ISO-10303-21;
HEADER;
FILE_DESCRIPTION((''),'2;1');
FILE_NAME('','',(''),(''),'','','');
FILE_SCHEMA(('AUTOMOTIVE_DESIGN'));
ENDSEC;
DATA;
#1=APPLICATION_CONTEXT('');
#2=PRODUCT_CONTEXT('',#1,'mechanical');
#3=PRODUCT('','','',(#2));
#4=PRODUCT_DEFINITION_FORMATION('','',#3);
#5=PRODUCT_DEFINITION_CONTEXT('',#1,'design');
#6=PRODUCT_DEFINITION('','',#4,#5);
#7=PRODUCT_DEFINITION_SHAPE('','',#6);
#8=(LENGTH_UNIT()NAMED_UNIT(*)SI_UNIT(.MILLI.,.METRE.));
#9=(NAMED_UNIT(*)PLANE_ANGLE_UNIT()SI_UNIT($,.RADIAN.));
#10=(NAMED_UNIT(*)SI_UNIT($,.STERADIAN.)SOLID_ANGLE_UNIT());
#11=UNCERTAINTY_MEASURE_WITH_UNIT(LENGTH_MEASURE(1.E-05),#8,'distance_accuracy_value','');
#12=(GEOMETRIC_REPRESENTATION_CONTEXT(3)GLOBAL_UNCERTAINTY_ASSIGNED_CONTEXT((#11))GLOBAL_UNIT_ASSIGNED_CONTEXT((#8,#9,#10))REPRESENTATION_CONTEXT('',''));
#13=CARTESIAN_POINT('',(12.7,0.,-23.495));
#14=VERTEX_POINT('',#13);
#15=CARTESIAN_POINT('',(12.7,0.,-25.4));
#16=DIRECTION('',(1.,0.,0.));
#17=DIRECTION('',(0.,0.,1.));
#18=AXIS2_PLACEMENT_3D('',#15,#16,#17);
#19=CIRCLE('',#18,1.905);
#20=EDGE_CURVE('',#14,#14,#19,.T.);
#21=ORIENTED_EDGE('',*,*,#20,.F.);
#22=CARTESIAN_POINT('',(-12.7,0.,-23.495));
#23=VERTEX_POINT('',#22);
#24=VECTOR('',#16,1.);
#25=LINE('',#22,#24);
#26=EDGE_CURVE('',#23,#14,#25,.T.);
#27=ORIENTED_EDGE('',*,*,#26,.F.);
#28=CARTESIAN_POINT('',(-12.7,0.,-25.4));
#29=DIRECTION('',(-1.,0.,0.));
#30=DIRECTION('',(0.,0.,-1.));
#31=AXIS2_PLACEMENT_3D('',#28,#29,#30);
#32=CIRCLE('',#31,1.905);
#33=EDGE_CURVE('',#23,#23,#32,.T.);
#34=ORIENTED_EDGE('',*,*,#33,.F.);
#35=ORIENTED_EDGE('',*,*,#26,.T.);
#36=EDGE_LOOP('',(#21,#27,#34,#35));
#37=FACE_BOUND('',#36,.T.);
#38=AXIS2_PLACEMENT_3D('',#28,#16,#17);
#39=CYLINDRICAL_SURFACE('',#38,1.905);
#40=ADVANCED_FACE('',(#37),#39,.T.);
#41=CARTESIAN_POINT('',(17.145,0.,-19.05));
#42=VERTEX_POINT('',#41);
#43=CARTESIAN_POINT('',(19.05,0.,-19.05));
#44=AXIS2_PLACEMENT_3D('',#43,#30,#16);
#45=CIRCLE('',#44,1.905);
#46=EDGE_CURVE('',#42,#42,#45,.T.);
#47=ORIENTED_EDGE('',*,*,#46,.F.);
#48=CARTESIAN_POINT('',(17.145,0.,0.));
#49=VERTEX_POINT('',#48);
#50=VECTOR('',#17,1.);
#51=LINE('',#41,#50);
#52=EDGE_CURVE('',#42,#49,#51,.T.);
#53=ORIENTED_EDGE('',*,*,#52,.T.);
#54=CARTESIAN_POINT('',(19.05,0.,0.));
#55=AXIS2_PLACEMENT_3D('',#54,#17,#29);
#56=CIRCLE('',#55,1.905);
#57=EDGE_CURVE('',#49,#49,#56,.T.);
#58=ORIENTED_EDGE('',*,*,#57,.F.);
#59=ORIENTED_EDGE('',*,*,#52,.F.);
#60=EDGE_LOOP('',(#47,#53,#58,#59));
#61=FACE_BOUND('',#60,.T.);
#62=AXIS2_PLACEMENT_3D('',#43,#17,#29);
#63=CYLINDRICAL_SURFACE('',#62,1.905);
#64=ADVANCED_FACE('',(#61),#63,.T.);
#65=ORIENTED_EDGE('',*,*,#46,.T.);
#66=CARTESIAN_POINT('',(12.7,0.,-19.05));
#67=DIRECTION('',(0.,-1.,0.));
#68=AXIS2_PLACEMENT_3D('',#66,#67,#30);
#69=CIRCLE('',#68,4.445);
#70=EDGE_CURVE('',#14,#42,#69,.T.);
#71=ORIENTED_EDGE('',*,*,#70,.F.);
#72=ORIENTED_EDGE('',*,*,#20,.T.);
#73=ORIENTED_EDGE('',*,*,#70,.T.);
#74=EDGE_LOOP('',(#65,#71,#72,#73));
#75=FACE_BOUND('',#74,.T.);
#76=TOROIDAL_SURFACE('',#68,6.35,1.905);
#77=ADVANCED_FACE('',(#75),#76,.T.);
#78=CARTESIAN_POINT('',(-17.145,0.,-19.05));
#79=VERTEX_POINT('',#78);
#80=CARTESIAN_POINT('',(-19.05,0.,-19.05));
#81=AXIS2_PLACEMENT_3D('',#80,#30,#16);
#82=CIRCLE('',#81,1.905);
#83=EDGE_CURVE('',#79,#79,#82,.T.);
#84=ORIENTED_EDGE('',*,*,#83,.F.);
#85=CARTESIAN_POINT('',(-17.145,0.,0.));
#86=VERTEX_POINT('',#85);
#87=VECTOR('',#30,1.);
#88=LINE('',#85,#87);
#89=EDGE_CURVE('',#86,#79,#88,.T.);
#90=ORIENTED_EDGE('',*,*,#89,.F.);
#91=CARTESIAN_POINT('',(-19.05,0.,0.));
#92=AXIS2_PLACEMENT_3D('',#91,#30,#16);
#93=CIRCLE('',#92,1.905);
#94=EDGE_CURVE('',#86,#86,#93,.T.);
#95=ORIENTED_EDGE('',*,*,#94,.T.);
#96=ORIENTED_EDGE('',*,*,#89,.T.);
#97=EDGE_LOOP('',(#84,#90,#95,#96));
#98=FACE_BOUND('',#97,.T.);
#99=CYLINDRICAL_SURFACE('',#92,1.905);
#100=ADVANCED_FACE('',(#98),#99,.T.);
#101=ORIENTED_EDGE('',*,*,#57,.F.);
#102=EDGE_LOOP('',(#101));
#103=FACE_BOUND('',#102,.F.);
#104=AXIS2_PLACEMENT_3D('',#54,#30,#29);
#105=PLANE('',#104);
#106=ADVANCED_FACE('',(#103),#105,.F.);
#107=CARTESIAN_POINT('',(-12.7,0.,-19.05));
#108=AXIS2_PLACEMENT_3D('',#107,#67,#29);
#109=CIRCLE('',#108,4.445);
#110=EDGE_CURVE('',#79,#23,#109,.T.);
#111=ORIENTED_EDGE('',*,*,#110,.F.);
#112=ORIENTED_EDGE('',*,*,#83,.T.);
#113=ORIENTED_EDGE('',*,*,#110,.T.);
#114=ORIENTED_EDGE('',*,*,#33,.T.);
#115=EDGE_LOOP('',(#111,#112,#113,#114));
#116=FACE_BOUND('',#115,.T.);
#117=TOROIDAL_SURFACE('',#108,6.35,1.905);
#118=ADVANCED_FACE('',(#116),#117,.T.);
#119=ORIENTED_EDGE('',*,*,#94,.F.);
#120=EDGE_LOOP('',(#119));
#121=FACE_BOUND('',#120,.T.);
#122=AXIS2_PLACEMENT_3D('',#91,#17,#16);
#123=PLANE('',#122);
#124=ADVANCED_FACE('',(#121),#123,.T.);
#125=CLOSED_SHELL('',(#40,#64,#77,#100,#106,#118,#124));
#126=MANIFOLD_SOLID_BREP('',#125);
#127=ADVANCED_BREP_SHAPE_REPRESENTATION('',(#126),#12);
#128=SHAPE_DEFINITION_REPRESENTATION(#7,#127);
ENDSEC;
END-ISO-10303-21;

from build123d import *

# Parameters (mm, degrees)
F1_R = 1.905


with BuildPart() as f2:
    # F2: sweep along a path in F0
    with BuildLine(Plane.XZ) as f2_path:
        Line((-19.05, 0), (-19.05, -19.05))
        ThreePointArc((-19.05, -19.05), (-17.1901280605, -23.5401280605), (-12.7, -25.4))
        Line((-12.7, -25.4), (12.7, -25.4))
        ThreePointArc((12.7, -25.4), (17.1901280605, -23.5401280605), (19.05, -19.05))
        Line((19.05, -19.05), (19.05, 0))
    # F1 (on Top) → F2 (sweep)
    with BuildSketch(Plane.XY):
        with Locations((-19.05, 0)):
            Circle(F1_R)
    sweep(path=f2_path.line)


solid = f2.part
